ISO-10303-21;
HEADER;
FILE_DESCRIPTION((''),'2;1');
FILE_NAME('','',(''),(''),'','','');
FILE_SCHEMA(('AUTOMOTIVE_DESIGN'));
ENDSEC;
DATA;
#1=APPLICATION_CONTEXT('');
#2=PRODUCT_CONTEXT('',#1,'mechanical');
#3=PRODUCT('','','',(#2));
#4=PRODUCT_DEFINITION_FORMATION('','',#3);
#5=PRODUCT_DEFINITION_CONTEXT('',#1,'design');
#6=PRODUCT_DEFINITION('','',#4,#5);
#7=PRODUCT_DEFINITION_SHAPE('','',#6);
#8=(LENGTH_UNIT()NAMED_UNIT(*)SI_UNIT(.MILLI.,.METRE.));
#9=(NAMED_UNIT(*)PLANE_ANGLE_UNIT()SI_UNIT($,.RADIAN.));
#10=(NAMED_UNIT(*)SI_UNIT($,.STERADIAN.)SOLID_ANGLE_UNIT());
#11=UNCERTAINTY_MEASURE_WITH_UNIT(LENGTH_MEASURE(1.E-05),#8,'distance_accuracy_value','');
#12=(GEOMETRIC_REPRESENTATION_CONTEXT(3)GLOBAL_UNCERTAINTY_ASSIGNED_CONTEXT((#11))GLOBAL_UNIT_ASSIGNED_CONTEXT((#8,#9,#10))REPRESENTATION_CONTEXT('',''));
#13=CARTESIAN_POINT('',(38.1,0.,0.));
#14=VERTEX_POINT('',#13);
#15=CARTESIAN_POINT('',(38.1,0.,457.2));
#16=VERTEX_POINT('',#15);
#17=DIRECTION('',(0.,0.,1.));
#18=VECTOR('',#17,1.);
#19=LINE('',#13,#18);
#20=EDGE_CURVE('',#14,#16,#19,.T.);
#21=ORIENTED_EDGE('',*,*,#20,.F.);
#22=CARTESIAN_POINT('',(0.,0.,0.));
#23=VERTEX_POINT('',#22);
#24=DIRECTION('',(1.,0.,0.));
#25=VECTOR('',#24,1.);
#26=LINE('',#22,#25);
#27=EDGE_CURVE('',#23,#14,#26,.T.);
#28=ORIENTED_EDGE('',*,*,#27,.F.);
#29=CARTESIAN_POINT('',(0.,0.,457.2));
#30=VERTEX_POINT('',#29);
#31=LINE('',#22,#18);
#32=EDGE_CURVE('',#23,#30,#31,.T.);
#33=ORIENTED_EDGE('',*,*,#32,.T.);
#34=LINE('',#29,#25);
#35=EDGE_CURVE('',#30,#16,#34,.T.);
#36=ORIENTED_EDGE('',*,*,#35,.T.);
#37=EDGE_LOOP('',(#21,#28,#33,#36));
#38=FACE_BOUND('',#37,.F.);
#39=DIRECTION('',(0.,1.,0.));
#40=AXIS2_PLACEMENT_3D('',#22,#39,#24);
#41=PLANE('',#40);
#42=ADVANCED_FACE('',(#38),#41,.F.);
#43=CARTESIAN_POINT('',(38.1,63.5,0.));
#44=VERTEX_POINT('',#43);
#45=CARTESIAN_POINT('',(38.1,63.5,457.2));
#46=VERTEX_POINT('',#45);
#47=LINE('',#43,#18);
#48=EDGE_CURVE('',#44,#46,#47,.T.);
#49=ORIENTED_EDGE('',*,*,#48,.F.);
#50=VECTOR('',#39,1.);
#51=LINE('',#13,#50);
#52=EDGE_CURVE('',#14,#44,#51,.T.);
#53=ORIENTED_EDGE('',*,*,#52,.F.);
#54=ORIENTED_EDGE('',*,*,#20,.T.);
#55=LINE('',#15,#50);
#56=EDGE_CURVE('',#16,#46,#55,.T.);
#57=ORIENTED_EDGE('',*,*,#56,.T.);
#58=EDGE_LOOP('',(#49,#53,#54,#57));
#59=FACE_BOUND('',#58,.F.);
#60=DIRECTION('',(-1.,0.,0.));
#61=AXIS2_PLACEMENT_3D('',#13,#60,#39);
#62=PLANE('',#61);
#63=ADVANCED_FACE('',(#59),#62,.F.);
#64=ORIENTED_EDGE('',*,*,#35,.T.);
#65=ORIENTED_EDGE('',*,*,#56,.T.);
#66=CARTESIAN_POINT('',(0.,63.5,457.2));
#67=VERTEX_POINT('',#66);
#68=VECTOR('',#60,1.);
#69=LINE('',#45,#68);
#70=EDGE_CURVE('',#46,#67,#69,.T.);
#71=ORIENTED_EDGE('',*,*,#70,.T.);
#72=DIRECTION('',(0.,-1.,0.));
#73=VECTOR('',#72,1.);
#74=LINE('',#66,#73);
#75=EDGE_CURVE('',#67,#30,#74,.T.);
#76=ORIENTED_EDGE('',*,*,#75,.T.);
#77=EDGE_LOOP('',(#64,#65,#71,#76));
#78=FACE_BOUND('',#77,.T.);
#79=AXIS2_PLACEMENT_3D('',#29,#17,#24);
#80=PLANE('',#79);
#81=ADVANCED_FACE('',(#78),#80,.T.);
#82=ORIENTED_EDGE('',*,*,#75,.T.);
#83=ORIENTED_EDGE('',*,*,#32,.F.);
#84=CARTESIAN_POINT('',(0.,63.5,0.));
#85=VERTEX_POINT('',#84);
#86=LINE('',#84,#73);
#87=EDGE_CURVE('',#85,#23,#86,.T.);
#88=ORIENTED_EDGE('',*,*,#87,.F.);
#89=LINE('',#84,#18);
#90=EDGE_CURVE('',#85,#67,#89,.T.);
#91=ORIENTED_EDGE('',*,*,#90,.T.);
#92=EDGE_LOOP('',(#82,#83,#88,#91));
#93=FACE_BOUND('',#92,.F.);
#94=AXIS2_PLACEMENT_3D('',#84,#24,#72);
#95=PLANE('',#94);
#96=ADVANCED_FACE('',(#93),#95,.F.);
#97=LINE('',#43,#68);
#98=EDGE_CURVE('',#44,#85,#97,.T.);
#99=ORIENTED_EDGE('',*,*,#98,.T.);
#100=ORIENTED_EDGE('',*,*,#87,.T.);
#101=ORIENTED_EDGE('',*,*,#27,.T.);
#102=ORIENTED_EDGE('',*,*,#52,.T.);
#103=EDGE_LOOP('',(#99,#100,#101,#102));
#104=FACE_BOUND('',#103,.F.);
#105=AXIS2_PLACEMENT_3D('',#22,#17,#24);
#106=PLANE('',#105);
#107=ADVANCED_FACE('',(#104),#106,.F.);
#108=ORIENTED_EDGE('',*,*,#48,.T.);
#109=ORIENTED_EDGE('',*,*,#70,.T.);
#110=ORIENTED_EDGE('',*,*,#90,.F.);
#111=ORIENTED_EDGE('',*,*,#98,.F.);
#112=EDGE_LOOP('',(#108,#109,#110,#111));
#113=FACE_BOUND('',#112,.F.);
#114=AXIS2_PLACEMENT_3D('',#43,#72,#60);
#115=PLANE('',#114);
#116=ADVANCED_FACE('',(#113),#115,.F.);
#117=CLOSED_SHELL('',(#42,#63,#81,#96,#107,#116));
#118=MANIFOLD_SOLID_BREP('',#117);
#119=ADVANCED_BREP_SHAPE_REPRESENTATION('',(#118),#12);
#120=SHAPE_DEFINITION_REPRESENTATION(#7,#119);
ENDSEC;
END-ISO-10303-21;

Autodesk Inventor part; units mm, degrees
ref_plane "YZ Plane" through (0, 0, 0) normal (1, 0, 0) x (0, 1, 0)
ref_plane "XZ Plane" through (0, 0, 0) normal (0, 1, 0) x (-1, 0, 0)
ref_plane "XY Plane" through (0, 0, 0) normal (0, 0, 1) x (1, 0, 0)
sketch "Sketch1" plane through (0, 0, 0) normal (0, 0, 1) x (1, 0, 0)
  line L0 (0, 0) -> (38.1, 0)
  line L1 (38.1, 0) -> (38.1, 63.5)
  line L2 (38.1, 63.5) -> (0, 63.5)
  line L3 (0, 63.5) -> (0, 0)
  dimension "d0" = 38.1
  dimension "d1" = 63.5
extrude "Extrusion1" add sketch "Sketch1" along normal blind 457.2
properties part number "Table Frame Front" material "Wood (Birch)"
